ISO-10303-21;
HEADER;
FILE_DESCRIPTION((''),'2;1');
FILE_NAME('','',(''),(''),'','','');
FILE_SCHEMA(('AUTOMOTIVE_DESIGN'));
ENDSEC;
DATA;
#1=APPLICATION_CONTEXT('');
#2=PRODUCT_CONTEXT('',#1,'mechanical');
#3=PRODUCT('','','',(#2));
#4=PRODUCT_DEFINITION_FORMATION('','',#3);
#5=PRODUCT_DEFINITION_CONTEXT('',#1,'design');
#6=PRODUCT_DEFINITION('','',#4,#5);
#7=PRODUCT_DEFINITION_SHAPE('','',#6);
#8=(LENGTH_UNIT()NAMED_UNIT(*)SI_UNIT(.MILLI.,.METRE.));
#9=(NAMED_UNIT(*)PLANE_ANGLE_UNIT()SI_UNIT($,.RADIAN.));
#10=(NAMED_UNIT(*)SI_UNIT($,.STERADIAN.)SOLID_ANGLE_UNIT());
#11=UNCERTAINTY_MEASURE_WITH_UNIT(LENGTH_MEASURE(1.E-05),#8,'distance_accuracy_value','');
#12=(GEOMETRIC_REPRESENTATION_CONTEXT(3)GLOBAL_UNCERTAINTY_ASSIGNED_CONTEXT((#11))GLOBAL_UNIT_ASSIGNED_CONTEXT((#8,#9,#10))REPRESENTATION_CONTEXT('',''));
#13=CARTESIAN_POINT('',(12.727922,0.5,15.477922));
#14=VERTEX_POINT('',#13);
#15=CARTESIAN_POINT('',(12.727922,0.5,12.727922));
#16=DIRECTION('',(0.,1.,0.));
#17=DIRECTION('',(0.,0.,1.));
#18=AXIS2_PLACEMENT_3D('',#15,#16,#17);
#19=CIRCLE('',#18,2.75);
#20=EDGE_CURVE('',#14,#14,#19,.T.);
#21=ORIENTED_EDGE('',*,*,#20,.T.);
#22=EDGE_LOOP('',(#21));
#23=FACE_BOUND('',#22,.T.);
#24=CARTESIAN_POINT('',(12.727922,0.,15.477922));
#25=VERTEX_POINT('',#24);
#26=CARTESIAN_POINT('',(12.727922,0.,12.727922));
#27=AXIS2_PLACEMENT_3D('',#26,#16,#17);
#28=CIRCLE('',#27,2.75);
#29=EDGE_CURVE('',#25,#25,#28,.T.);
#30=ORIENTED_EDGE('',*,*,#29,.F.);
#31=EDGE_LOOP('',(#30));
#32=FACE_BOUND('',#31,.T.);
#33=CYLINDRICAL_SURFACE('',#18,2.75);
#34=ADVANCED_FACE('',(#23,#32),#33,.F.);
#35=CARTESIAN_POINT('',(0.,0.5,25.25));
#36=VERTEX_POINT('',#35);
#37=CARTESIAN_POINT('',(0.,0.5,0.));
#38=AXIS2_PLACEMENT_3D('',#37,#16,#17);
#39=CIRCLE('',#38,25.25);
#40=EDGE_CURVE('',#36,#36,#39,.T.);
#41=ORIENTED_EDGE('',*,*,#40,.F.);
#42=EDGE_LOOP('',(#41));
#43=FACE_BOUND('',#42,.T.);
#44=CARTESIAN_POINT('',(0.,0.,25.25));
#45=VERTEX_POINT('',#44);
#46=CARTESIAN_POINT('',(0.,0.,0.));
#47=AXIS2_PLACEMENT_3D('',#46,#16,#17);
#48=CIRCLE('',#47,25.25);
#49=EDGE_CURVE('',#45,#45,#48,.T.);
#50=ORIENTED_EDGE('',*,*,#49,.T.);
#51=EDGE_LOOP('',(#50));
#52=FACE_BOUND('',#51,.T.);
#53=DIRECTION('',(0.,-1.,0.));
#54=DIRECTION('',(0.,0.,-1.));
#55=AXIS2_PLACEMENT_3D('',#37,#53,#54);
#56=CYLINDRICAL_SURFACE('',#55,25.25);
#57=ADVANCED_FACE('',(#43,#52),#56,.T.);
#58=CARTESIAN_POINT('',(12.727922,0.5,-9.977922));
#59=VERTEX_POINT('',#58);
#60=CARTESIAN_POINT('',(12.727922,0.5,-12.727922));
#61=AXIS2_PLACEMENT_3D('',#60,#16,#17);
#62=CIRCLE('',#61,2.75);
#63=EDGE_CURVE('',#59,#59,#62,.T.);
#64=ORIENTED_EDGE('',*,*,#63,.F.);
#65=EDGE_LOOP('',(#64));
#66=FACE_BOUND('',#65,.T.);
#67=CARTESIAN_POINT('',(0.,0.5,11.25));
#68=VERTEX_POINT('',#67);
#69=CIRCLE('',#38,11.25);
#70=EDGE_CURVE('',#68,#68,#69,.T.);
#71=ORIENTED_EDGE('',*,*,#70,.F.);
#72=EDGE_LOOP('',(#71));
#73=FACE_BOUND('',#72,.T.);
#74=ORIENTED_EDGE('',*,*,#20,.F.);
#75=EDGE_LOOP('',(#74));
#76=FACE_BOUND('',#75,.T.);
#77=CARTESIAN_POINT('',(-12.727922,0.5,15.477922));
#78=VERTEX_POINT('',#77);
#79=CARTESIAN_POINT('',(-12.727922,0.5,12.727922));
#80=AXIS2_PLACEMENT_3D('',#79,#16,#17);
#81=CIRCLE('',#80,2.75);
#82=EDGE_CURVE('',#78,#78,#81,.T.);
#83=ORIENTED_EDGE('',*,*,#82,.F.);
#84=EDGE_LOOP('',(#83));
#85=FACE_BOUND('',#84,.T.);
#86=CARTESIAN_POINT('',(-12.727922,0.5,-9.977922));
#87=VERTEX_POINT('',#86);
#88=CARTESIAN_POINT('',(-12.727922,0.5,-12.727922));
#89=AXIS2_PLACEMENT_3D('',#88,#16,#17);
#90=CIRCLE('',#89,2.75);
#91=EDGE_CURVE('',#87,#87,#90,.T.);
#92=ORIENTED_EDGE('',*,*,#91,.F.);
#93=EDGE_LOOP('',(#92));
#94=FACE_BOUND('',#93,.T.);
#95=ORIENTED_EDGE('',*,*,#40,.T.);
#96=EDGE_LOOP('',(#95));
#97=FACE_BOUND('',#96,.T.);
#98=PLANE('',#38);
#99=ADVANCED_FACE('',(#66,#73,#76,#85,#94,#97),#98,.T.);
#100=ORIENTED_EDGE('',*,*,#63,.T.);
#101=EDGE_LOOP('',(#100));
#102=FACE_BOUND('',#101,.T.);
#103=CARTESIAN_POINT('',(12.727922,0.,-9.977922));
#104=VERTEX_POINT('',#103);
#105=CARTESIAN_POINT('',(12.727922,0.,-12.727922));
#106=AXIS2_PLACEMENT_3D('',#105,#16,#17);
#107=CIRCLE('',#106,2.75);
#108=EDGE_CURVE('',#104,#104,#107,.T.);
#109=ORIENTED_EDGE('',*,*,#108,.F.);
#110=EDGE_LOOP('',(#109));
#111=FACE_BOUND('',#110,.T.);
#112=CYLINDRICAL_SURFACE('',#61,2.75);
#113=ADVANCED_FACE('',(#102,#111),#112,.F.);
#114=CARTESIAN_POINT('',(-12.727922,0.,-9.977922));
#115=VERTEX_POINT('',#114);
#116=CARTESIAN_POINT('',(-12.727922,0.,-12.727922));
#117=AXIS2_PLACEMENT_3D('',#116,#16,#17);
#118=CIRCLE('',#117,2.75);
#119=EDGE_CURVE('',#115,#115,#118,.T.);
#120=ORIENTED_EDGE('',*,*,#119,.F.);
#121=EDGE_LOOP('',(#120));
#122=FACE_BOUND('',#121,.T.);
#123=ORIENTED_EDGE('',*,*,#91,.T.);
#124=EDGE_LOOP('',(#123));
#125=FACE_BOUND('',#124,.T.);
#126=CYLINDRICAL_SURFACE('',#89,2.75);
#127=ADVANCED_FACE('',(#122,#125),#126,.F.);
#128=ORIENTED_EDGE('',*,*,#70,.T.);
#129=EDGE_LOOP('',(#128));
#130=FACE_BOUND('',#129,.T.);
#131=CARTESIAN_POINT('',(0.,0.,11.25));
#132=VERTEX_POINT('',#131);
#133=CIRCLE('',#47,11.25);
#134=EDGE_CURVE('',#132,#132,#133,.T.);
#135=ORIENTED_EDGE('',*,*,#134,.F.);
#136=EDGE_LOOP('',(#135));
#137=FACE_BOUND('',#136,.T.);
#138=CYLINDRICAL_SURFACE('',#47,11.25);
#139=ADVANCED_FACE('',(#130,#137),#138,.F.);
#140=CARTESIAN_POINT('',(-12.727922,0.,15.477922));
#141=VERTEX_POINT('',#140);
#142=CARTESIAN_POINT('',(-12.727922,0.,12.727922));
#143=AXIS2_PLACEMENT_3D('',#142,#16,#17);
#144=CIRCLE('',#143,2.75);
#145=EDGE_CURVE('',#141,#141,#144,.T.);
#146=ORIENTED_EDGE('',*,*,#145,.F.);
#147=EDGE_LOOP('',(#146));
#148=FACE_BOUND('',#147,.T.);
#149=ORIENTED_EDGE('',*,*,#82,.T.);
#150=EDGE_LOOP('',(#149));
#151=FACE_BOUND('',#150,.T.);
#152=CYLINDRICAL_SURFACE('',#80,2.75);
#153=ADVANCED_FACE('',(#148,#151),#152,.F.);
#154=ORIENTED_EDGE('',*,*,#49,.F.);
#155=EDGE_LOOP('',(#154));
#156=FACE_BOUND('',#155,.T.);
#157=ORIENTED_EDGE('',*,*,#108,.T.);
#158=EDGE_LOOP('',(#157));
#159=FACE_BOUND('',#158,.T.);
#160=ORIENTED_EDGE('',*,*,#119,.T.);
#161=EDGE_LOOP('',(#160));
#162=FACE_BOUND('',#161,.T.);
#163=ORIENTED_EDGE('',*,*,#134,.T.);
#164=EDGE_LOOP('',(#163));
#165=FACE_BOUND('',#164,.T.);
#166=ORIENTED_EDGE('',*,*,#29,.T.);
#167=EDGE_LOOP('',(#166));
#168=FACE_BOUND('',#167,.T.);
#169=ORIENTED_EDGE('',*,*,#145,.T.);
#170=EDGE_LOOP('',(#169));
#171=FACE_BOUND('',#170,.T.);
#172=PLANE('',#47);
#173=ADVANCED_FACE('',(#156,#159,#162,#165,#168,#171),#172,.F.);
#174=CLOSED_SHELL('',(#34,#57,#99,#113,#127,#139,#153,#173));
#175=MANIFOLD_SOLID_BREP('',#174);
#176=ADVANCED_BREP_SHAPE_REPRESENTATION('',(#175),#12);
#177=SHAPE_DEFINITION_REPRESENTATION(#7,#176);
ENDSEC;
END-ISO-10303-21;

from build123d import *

# Parameters (mm, degrees)
SKETCH_1_R          = 25.25
EXTRUDE_1_DEPTH     = 0.5
SKETCH_2_R          = 11.25
CUT_EXTRUDE_1_DEPTH = 36.712392807
HOLE_WIZARD_M5_1_D  = 5.5


with BuildPart() as part:
    # ｽｹｯﾁ1 → ﾎﾞｽ - 押し出し1 (new body)
    with BuildSketch(Plane(origin=(0, 0, 0), x_dir=(1, 0, 0), z_dir=(0, 1, 0))):
        with Locations(Location((0, 0, 0), (0, 0, 270))):
            Circle(SKETCH_1_R)
    extrude(amount=EXTRUDE_1_DEPTH)

    # ｽｹｯﾁ2 → ｶｯﾄ - 押し出し1 (cut, through all)
    with BuildSketch(Plane(origin=(0, 0.5, 0), x_dir=(1, 0, 0), z_dir=(0, 1, 0))):
        with Locations(Location((0, 0, 0), (0, 0, 270))):
            Circle(SKETCH_2_R)
    extrude(amount=-CUT_EXTRUDE_1_DEPTH, mode=Mode.SUBTRACT)

    # M5 すきま穴1 (through all)
    with Locations(Plane(origin=(0, 0.5, 0), x_dir=(1, 0, 0), z_dir=(0, 1, 0))):
        with Locations((-12.727922061, 12.727922061), (12.727922061, -12.727922061), (-12.727922061, -12.727922061), (12.727922061, 12.727922061)):
            Hole(HOLE_WIZARD_M5_1_D / 2)


solid = part.part
